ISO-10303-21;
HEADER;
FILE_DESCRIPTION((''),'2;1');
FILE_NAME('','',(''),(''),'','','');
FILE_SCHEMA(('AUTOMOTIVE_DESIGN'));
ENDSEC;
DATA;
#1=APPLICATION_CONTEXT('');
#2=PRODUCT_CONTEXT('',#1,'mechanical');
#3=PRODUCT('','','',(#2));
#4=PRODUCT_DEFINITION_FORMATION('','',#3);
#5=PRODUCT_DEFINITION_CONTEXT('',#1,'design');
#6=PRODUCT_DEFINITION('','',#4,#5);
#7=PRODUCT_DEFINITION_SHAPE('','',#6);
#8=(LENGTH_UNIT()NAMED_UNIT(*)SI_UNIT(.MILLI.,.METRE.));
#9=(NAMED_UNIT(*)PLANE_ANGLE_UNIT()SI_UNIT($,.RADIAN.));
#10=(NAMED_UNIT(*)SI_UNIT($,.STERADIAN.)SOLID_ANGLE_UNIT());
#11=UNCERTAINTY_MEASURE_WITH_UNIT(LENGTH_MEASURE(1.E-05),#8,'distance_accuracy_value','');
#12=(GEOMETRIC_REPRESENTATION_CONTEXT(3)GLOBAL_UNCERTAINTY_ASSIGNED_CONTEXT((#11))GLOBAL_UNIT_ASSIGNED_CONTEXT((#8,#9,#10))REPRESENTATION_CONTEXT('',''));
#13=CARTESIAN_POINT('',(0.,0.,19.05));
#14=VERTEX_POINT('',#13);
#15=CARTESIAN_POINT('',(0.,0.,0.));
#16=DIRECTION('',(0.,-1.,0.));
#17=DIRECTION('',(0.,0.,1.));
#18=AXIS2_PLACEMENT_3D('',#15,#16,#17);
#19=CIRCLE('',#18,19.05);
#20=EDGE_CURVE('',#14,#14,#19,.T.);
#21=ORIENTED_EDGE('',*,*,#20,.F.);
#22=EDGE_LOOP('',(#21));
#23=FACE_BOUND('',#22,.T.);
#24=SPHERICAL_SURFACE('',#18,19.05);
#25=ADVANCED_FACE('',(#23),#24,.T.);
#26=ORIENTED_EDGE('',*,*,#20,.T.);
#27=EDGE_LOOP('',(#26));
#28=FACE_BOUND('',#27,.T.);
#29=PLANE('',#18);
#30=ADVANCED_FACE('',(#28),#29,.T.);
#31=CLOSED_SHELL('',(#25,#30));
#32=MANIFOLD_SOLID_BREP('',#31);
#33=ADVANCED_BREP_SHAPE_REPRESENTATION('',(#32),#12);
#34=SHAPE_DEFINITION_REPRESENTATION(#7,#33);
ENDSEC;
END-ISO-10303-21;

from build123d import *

# Parameters (mm, degrees)
REVOLVE2_ANGLE = 180


with BuildPart() as part:
    # Sketch1 → Revolve2 (revolve)
    with BuildSketch(Plane(origin=(0, 0, 0), x_dir=(1, 0, 0), z_dir=(0, 1, 0))):
        with BuildLine():
            Line((0, 19.05), (0, -19.05))
            ThreePointArc((0, -19.05), (19.05, 0), (0, 19.05))
        make_face()
    revolve(axis=Axis((0, 0, -19.05), (0, 0, 1)), revolution_arc=REVOLVE2_ANGLE)


solid = part.part
